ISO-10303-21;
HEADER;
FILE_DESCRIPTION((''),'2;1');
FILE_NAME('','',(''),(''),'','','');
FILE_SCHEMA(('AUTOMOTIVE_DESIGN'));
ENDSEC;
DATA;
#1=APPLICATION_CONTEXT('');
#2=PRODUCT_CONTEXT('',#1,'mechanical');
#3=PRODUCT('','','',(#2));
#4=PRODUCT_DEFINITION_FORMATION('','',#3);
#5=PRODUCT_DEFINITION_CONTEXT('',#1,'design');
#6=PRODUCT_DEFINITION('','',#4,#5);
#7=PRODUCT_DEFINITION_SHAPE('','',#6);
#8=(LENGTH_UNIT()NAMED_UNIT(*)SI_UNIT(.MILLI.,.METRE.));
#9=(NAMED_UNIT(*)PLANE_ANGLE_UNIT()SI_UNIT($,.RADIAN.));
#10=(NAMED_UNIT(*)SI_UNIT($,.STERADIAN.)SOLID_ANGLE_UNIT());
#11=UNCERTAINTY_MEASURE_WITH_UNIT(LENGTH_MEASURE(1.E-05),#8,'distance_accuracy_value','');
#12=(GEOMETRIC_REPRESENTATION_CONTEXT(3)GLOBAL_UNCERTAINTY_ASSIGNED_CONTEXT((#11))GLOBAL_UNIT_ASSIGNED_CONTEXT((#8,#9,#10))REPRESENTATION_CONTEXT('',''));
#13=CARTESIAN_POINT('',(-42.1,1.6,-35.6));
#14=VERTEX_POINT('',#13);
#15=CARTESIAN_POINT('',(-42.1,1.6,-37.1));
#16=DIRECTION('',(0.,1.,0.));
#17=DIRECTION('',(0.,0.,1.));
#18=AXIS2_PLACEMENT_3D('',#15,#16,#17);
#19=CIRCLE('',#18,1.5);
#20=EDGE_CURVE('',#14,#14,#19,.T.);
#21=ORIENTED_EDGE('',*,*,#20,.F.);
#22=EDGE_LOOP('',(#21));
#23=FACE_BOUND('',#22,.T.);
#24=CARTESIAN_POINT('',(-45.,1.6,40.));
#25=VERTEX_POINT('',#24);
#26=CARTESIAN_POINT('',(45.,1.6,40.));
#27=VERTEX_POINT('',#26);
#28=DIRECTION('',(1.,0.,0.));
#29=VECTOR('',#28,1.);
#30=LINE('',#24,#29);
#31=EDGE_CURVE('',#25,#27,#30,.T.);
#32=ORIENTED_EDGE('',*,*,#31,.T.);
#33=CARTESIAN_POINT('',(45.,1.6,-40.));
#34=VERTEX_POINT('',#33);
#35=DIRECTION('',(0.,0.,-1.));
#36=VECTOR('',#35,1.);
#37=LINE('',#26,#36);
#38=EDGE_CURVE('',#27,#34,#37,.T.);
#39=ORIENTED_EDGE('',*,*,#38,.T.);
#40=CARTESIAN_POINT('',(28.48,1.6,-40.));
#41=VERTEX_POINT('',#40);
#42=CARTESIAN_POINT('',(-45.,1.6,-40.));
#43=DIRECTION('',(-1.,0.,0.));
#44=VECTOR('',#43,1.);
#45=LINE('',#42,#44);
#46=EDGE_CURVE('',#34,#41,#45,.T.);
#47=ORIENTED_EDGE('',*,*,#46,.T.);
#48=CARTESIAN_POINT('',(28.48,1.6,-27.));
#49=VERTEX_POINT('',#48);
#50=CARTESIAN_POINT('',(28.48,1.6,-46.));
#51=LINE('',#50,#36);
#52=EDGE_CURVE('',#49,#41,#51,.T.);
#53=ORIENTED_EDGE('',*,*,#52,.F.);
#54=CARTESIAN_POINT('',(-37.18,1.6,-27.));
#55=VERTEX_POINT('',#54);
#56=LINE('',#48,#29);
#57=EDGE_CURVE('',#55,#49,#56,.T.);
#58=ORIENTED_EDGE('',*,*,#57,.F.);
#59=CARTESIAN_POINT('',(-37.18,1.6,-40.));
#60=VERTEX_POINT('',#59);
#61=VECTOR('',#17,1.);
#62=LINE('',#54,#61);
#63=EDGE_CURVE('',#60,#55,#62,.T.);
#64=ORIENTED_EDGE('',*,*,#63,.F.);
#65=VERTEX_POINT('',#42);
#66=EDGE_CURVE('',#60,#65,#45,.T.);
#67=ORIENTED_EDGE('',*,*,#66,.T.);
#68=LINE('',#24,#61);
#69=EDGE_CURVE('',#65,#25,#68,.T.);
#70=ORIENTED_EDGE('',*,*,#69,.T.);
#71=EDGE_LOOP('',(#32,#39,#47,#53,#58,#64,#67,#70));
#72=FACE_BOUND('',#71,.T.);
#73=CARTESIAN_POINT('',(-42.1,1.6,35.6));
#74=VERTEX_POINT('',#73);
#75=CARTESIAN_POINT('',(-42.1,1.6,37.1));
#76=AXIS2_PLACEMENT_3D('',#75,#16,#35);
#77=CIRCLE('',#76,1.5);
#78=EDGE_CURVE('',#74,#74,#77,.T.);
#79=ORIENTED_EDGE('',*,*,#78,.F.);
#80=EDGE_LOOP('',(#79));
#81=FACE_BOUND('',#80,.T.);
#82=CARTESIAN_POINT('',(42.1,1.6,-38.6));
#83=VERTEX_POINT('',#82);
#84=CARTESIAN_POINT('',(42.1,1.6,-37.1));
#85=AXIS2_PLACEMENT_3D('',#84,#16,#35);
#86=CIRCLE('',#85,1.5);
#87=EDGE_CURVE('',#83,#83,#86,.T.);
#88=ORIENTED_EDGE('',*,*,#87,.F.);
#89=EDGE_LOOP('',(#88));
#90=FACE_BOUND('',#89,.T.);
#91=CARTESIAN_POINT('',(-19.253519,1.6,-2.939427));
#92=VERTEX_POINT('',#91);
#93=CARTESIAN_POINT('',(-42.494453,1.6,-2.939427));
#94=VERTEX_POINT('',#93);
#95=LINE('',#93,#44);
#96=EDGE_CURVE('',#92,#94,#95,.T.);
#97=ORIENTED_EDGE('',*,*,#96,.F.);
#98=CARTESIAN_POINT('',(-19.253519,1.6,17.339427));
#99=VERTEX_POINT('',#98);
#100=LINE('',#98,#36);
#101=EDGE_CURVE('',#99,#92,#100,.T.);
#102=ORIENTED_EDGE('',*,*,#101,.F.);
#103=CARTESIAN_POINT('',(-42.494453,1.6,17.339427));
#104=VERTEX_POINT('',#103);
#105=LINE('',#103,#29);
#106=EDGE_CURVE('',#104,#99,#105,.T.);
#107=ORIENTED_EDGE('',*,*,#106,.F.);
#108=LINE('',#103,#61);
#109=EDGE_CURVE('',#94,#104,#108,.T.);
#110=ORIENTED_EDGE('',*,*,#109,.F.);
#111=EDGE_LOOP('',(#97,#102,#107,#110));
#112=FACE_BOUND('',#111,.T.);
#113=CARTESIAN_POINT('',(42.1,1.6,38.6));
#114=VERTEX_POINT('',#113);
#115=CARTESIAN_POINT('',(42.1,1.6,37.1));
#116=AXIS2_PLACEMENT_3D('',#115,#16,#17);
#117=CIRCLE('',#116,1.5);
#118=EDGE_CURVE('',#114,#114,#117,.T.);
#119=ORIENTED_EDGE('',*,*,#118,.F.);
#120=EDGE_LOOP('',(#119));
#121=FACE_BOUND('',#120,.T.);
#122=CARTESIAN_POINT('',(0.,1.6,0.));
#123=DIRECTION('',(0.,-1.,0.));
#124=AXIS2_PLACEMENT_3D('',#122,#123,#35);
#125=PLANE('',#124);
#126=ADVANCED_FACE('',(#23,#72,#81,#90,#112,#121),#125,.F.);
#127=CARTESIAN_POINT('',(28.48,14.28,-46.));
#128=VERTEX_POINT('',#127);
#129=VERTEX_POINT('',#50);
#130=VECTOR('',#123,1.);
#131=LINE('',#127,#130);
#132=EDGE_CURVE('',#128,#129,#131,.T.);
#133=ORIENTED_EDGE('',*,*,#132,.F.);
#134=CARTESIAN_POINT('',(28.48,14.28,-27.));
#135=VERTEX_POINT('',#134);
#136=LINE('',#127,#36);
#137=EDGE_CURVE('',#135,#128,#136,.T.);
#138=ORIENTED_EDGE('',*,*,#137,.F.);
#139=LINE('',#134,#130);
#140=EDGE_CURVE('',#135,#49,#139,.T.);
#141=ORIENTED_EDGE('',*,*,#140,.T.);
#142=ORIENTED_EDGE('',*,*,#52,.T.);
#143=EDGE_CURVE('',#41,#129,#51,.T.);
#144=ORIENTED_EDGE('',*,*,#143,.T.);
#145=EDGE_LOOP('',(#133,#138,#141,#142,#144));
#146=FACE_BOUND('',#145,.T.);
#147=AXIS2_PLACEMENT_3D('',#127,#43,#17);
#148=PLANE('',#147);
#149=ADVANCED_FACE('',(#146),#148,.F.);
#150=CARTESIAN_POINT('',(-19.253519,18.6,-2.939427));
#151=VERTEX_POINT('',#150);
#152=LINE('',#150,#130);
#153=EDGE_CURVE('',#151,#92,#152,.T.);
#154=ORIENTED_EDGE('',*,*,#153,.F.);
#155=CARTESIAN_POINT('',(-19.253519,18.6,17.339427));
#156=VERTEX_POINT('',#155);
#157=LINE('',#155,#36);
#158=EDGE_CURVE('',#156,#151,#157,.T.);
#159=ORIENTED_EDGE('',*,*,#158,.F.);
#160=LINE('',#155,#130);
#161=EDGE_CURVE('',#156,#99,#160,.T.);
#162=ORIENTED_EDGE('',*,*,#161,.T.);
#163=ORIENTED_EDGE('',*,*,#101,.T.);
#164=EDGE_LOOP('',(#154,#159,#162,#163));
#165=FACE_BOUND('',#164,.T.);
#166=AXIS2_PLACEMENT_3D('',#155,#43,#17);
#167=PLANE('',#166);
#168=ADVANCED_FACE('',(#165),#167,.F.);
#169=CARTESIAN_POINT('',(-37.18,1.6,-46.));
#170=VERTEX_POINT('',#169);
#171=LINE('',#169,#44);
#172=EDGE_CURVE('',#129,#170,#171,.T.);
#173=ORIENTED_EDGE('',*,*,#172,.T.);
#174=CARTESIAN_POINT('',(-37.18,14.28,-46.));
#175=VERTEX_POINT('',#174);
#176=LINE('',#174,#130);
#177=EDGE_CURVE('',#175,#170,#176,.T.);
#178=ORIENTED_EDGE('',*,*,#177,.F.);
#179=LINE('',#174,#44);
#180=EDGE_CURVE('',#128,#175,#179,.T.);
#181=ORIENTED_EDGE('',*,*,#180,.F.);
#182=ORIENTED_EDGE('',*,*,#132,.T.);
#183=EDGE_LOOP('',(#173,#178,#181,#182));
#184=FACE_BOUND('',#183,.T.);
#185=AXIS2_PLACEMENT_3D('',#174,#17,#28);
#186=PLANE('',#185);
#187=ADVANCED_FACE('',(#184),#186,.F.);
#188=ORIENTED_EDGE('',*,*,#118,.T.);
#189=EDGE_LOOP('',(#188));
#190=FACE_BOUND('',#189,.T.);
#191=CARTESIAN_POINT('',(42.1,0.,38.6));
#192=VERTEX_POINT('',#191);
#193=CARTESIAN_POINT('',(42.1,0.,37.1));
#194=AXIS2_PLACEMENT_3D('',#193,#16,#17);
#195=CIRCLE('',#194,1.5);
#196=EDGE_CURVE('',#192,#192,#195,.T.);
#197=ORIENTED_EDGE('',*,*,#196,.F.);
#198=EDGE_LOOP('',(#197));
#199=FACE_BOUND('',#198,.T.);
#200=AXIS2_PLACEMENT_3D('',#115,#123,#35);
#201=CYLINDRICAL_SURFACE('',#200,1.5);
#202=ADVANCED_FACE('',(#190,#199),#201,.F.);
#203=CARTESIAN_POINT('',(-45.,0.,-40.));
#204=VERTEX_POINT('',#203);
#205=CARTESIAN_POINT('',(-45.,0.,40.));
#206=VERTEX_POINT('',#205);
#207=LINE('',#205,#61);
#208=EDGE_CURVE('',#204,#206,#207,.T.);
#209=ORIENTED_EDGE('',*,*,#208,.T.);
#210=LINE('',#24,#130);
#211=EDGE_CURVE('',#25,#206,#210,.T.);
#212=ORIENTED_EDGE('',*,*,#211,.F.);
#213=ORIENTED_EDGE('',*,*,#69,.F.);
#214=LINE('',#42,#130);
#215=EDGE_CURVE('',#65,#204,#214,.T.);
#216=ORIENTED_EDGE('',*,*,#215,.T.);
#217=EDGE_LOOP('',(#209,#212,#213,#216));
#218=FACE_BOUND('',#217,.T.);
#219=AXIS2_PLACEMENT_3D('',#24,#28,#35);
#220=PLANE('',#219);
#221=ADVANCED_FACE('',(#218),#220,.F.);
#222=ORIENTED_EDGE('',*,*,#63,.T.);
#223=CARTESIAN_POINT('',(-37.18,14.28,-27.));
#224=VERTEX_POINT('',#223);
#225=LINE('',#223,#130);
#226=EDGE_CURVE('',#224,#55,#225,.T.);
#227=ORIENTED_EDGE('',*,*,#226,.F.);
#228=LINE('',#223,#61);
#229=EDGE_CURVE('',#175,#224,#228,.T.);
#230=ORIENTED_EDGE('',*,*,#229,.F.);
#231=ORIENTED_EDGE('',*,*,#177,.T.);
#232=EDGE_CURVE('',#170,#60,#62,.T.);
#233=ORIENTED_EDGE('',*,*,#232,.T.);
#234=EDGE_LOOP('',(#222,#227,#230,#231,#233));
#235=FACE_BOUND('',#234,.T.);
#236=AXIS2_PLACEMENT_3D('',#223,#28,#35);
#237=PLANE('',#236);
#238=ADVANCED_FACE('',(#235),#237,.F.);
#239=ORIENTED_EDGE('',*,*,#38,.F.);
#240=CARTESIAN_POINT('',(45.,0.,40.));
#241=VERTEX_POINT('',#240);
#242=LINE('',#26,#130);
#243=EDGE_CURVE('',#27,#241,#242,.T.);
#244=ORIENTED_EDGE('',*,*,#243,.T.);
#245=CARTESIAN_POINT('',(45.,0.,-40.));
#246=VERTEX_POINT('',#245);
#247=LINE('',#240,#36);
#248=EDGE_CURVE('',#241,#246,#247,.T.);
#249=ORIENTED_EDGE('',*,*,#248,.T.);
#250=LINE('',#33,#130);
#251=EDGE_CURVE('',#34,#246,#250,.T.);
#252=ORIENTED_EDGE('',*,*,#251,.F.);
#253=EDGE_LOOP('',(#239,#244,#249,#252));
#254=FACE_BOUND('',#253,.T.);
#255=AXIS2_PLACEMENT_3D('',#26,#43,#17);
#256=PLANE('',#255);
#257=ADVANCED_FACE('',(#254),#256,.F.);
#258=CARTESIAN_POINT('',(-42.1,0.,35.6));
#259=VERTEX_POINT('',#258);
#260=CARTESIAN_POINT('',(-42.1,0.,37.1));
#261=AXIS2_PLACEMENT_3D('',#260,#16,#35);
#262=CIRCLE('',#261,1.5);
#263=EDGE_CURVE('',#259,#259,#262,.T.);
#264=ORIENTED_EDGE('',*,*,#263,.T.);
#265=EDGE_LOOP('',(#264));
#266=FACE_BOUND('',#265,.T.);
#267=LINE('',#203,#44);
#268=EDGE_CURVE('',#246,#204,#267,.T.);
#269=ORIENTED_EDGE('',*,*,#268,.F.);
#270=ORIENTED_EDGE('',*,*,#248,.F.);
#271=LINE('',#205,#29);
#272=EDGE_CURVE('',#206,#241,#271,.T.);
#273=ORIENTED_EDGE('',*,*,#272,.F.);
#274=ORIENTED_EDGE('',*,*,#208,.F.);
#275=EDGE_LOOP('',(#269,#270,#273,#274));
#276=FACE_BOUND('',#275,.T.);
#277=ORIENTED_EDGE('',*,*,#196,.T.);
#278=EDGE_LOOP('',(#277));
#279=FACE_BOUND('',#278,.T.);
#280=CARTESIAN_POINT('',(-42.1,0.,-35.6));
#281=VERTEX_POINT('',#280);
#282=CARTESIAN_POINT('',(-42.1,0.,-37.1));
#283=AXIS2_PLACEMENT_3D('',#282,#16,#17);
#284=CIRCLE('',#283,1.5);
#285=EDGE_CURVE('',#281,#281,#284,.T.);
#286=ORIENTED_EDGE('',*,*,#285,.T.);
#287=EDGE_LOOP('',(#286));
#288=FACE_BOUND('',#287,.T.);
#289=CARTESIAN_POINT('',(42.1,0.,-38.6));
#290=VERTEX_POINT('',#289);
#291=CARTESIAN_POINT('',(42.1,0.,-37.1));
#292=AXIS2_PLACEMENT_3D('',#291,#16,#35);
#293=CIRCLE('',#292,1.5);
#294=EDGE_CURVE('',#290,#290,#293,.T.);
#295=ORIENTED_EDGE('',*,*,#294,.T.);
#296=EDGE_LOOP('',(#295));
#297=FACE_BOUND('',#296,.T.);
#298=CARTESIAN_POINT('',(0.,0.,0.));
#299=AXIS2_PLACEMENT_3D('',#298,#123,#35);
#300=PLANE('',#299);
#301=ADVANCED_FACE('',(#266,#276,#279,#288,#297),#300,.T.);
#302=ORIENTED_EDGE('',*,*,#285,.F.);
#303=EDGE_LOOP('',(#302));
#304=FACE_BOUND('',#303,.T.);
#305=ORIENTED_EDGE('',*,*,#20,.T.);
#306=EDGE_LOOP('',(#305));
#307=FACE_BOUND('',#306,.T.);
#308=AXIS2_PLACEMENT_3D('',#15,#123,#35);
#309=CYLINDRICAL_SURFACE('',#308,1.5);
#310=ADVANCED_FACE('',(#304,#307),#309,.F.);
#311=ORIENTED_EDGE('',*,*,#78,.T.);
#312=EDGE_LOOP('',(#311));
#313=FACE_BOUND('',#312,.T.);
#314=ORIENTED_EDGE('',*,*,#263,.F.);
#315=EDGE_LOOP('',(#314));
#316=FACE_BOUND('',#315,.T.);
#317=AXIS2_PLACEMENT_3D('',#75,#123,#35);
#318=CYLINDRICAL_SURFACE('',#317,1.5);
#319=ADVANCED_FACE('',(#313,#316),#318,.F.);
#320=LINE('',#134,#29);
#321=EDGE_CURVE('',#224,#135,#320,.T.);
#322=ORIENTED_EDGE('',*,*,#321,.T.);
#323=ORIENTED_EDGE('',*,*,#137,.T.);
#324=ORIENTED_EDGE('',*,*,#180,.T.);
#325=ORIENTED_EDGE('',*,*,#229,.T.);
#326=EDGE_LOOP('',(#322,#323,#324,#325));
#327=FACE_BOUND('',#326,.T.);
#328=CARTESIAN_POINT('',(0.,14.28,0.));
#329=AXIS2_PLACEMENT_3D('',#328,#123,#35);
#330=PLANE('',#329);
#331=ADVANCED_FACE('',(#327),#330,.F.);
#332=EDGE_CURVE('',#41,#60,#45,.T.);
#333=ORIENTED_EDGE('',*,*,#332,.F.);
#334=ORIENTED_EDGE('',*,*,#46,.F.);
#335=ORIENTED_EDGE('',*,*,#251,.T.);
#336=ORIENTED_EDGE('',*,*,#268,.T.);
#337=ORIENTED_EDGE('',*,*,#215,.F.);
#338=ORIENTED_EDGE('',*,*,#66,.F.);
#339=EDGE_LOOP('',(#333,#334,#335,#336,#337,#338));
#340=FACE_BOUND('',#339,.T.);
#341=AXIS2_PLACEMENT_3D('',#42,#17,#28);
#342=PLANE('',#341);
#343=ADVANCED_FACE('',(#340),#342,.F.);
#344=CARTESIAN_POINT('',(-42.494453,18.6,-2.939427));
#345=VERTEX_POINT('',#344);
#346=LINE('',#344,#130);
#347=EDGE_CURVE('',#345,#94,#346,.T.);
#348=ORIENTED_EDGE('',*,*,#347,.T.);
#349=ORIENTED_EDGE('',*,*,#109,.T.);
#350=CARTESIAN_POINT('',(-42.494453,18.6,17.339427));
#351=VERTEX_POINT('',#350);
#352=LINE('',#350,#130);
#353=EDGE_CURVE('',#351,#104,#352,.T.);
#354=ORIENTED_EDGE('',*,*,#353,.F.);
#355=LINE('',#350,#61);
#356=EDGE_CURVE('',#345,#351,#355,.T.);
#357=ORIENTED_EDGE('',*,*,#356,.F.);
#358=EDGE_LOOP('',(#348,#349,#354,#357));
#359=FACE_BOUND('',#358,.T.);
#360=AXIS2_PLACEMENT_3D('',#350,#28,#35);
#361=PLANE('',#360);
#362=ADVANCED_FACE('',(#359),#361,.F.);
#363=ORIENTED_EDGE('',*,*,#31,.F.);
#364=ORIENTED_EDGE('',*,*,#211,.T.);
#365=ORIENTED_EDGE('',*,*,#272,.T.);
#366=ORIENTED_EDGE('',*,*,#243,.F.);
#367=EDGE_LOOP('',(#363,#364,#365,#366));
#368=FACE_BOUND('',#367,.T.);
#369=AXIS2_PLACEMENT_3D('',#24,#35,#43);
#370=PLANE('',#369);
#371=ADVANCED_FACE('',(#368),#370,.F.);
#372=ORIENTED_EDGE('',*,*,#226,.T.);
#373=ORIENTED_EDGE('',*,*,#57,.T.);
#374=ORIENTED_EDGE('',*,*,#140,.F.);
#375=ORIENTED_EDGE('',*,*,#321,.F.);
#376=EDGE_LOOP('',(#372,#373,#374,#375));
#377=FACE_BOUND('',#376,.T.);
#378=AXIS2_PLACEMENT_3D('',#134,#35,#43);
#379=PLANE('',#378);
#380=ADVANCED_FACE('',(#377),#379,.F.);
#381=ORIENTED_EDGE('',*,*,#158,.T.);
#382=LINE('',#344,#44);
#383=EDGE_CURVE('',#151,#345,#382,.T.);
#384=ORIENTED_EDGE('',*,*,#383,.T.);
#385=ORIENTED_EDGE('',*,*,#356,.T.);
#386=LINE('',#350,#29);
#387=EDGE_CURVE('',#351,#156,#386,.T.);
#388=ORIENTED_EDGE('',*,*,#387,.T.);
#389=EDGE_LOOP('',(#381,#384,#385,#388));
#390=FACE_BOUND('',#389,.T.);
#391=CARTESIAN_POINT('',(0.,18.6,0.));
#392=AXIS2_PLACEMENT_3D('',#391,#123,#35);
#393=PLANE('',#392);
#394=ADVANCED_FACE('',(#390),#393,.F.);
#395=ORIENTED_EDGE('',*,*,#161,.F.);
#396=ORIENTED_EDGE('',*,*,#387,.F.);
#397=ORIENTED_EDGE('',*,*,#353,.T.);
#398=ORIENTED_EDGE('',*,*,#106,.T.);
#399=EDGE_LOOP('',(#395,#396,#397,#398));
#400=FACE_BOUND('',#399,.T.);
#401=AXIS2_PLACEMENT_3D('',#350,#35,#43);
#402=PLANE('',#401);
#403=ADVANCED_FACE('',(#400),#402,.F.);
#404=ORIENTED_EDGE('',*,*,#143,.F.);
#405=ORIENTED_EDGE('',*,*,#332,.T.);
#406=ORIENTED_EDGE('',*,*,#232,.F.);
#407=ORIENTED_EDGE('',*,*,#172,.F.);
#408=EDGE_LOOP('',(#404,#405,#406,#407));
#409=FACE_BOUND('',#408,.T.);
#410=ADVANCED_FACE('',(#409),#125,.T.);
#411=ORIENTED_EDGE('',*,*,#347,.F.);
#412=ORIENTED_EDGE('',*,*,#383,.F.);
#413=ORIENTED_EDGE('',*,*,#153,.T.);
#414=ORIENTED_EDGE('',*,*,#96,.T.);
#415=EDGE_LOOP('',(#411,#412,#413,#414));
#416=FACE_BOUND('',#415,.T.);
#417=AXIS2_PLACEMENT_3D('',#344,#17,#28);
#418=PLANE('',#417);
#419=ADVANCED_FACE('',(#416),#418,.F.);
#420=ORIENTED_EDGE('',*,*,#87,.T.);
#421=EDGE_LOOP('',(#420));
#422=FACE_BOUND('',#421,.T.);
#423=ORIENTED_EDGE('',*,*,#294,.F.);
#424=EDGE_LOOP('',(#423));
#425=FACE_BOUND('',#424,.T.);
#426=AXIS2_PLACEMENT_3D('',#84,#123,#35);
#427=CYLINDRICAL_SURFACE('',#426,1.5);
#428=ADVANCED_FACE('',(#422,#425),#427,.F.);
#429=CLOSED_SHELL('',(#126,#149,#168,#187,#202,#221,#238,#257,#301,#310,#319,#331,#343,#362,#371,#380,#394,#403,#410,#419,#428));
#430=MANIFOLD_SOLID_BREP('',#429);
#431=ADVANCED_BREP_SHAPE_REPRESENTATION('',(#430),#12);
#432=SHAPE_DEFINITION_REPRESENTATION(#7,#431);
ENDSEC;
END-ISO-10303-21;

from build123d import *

# Parameters (mm, degrees)
SKETCH1_W           = 90
SKETCH1_H           = 80
SKETCH1_R           = 1.5
BOSS_EXTRUDE2_DEPTH = 1.6
SKETCH2_W           = 65.66
SKETCH2_H           = 19
BOSS_EXTRUDE3_DEPTH = 12.68
SKETCH3_W           = 23.240933929
SKETCH3_H           = 20.278854114
BOSS_EXTRUDE4_DEPTH = 17


with BuildPart() as part:
    # Sketch1 → Boss-Extrude2 (new body)
    with BuildSketch(Plane(origin=(0, 0, 0), x_dir=(1, 0, 0), z_dir=(0, 1, 0))):
        Rectangle(SKETCH1_W, SKETCH1_H)
        with Locations(Location((-42.1, 37.1, 0), (0, 0, 270))):
            Circle(SKETCH1_R, mode=Mode.SUBTRACT)
        with Locations(Location((42.1, 37.1, 0), (0, 0, 90))):
            Circle(SKETCH1_R, mode=Mode.SUBTRACT)
        with Locations(Location((-42.1, -37.1, 0), (0, 0, 90))):
            Circle(SKETCH1_R, mode=Mode.SUBTRACT)
        with Locations(Location((42.1, -37.1, 0), (0, 0, 270))):
            Circle(SKETCH1_R, mode=Mode.SUBTRACT)
    extrude(amount=BOSS_EXTRUDE2_DEPTH)

    # Sketch2 → Boss-Extrude3 (add)
    with BuildSketch(Plane(origin=(0, 1.6, 0), x_dir=(1, 0, 0), z_dir=(0, 1, 0))):
        with Locations((-4.35, 36.5)):
            Rectangle(SKETCH2_W, SKETCH2_H)
    extrude(amount=BOSS_EXTRUDE3_DEPTH)

    # Sketch3 → Boss-Extrude4 (add)
    with BuildSketch(Plane(origin=(0, 1.6, 0), x_dir=(1, 0, 0), z_dir=(0, 1, 0))):
        with Locations((-30.87398576, -7.2)):
            Rectangle(SKETCH3_W, SKETCH3_H)
    extrude(amount=BOSS_EXTRUDE4_DEPTH)


solid = part.part
